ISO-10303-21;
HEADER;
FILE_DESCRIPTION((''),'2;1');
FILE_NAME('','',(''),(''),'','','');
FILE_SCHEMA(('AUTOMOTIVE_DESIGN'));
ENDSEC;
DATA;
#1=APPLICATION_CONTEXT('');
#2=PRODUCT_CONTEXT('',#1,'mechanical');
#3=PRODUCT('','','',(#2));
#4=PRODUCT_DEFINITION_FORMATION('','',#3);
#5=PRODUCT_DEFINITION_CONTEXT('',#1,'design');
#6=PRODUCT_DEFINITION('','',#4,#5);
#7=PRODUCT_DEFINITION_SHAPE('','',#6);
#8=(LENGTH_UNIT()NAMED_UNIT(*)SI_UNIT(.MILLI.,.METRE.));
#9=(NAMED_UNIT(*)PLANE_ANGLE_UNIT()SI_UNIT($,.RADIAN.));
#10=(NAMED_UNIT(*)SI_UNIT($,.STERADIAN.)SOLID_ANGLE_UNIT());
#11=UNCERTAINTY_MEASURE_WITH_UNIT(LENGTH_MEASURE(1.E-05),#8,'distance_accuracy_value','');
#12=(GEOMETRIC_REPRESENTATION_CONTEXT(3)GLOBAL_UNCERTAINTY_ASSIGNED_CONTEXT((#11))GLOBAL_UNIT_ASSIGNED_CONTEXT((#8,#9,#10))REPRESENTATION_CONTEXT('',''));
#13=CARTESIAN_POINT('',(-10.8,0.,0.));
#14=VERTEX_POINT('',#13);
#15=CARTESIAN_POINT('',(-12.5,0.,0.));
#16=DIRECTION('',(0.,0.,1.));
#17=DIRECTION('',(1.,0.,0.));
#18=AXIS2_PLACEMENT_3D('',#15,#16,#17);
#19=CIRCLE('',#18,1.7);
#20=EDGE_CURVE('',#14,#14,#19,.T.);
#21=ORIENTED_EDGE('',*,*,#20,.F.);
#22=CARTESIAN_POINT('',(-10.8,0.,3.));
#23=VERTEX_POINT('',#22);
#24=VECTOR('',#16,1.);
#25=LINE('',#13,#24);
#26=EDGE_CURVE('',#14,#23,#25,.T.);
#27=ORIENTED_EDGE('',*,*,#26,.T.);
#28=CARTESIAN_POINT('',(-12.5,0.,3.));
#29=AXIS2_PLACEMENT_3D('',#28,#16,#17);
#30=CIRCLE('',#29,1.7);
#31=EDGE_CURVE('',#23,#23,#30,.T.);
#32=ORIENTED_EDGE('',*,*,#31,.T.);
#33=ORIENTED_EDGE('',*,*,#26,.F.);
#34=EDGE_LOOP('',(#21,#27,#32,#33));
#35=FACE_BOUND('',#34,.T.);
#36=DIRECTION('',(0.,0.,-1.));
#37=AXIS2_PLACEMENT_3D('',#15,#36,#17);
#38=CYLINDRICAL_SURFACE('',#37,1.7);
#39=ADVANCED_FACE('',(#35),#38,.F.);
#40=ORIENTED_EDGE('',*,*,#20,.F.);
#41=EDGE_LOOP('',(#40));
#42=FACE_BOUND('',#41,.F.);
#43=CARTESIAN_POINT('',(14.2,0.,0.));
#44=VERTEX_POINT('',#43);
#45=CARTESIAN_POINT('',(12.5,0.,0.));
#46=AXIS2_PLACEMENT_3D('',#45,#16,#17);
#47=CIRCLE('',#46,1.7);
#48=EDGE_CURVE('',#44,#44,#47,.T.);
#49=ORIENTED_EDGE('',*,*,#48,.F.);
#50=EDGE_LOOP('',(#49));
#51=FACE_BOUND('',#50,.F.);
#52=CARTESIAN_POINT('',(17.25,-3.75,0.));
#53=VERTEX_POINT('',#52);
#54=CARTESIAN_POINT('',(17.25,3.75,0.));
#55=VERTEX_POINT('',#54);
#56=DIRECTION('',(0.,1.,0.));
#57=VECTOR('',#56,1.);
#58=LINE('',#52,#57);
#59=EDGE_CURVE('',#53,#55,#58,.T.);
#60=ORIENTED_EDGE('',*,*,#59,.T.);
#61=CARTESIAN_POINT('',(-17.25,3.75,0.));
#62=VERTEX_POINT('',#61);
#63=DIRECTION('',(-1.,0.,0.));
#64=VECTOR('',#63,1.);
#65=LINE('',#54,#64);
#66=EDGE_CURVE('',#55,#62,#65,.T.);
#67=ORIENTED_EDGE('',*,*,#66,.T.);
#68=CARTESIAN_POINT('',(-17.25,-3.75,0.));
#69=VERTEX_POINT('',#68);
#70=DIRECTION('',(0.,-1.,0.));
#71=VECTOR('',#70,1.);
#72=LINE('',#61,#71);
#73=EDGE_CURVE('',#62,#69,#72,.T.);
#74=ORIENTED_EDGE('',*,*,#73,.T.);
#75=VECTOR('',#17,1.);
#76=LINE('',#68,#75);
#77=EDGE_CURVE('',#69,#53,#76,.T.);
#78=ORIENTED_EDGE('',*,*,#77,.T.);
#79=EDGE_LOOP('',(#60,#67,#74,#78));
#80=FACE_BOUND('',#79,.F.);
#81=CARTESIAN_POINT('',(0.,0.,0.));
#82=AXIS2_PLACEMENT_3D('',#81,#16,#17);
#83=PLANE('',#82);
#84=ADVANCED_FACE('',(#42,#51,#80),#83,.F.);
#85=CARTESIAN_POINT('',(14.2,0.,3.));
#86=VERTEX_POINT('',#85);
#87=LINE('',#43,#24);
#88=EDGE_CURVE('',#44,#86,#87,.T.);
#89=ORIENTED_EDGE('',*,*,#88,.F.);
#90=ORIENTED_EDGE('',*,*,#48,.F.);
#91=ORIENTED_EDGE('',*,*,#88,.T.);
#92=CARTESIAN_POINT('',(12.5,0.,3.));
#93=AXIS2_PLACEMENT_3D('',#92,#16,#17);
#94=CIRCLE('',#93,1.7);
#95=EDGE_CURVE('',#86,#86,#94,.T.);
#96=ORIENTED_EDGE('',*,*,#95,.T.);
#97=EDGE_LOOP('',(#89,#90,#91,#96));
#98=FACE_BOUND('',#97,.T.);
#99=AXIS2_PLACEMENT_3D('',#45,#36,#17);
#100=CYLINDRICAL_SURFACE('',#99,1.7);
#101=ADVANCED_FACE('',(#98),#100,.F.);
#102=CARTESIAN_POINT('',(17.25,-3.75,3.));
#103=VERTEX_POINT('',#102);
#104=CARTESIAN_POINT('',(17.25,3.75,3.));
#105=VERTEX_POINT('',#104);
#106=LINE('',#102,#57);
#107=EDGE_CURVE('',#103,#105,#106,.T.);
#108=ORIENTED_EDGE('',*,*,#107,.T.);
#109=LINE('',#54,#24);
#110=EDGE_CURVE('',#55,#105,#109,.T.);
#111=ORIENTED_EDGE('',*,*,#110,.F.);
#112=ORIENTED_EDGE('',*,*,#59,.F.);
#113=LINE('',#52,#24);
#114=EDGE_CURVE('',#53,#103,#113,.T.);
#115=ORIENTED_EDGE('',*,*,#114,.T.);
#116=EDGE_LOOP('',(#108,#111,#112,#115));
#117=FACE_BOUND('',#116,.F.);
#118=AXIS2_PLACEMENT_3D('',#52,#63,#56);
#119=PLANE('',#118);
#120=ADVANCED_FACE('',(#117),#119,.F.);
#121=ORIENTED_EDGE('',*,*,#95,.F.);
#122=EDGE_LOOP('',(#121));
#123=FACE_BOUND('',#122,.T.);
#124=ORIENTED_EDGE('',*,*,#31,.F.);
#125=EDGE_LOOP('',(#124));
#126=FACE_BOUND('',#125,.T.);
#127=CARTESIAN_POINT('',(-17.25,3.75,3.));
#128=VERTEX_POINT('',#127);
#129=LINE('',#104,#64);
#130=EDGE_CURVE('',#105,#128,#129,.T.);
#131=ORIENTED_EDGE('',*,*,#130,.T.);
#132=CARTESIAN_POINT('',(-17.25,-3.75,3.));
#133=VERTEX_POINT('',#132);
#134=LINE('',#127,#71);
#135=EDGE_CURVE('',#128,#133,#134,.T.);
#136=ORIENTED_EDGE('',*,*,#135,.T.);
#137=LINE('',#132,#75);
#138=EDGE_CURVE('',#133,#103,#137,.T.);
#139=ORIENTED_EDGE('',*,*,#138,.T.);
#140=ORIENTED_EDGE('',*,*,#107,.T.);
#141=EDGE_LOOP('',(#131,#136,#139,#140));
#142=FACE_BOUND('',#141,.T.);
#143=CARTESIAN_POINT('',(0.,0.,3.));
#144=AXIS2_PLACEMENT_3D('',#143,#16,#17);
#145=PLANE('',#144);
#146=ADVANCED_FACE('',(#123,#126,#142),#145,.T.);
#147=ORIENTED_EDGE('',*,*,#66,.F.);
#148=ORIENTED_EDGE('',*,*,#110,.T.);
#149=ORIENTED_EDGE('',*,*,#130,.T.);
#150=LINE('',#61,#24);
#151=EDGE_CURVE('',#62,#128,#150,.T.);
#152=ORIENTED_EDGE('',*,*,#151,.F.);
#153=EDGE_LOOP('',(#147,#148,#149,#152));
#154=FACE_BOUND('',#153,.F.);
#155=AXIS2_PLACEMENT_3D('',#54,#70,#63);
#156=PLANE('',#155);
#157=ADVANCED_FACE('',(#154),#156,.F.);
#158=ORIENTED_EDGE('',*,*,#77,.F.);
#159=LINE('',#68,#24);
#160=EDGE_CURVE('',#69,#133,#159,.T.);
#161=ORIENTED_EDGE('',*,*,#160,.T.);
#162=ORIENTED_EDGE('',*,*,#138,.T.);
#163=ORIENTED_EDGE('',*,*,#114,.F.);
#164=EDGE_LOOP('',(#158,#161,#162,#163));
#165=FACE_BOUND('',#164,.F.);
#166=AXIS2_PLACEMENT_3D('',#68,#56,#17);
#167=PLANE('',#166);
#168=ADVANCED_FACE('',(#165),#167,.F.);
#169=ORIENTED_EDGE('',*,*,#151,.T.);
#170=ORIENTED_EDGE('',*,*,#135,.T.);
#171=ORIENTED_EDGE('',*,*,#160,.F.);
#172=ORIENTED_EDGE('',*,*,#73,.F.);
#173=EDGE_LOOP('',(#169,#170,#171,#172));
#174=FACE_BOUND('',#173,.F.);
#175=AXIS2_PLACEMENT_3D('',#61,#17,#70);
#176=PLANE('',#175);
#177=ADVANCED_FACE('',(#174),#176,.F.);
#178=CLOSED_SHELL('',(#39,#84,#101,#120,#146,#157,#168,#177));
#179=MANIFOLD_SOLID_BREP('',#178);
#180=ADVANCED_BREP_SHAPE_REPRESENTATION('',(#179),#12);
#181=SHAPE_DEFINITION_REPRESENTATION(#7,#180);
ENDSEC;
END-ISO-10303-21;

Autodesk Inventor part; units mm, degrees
ref_plane "YZ Plane" through (0, 0, 0) normal (1, 0, 0) x (0, 1, 0)
ref_plane "XZ Plane" through (0, 0, 0) normal (0, 1, 0) x (-1, 0, 0)
ref_plane "XY Plane" through (0, 0, 0) normal (0, 0, 1) x (1, 0, 0)
sketch "Skizze1" plane through (0, 0, 0) normal (0, 0, 1) x (1, 0, 0)
  line L0 (-17.25, -3.75) -> (17.25, -3.75)
  line L1 (17.25, -3.75) -> (17.25, 3.75)
  line L2 (17.25, 3.75) -> (-17.25, 3.75)
  line L3 (-17.25, 3.75) -> (-17.25, -3.75)
  line L4 (-17.25, -3.75) -> (17.25, 3.75) construction
  line L5 (17.25, -3.75) -> (-17.25, 3.75) construction
  circle A0 centre (-12.5, 0) radius 1.7
  circle A1 centre (12.5, 0) radius 1.7
  line L6 (-17.25, 0) -> (17.25, 0) construction
  line L7 (0, -5.25) -> (0, 5.25) construction
  point P0 (0, 0)
  dimension "d0" = 7.5
  dimension "d1" = 34.5
  dimension "d2" = 3.4
  dimension "d3" = 25
extrude "Extrusion1" add sketch "Skizze1" along normal blind 3
properties part number "BMP280_Cableclamp"
